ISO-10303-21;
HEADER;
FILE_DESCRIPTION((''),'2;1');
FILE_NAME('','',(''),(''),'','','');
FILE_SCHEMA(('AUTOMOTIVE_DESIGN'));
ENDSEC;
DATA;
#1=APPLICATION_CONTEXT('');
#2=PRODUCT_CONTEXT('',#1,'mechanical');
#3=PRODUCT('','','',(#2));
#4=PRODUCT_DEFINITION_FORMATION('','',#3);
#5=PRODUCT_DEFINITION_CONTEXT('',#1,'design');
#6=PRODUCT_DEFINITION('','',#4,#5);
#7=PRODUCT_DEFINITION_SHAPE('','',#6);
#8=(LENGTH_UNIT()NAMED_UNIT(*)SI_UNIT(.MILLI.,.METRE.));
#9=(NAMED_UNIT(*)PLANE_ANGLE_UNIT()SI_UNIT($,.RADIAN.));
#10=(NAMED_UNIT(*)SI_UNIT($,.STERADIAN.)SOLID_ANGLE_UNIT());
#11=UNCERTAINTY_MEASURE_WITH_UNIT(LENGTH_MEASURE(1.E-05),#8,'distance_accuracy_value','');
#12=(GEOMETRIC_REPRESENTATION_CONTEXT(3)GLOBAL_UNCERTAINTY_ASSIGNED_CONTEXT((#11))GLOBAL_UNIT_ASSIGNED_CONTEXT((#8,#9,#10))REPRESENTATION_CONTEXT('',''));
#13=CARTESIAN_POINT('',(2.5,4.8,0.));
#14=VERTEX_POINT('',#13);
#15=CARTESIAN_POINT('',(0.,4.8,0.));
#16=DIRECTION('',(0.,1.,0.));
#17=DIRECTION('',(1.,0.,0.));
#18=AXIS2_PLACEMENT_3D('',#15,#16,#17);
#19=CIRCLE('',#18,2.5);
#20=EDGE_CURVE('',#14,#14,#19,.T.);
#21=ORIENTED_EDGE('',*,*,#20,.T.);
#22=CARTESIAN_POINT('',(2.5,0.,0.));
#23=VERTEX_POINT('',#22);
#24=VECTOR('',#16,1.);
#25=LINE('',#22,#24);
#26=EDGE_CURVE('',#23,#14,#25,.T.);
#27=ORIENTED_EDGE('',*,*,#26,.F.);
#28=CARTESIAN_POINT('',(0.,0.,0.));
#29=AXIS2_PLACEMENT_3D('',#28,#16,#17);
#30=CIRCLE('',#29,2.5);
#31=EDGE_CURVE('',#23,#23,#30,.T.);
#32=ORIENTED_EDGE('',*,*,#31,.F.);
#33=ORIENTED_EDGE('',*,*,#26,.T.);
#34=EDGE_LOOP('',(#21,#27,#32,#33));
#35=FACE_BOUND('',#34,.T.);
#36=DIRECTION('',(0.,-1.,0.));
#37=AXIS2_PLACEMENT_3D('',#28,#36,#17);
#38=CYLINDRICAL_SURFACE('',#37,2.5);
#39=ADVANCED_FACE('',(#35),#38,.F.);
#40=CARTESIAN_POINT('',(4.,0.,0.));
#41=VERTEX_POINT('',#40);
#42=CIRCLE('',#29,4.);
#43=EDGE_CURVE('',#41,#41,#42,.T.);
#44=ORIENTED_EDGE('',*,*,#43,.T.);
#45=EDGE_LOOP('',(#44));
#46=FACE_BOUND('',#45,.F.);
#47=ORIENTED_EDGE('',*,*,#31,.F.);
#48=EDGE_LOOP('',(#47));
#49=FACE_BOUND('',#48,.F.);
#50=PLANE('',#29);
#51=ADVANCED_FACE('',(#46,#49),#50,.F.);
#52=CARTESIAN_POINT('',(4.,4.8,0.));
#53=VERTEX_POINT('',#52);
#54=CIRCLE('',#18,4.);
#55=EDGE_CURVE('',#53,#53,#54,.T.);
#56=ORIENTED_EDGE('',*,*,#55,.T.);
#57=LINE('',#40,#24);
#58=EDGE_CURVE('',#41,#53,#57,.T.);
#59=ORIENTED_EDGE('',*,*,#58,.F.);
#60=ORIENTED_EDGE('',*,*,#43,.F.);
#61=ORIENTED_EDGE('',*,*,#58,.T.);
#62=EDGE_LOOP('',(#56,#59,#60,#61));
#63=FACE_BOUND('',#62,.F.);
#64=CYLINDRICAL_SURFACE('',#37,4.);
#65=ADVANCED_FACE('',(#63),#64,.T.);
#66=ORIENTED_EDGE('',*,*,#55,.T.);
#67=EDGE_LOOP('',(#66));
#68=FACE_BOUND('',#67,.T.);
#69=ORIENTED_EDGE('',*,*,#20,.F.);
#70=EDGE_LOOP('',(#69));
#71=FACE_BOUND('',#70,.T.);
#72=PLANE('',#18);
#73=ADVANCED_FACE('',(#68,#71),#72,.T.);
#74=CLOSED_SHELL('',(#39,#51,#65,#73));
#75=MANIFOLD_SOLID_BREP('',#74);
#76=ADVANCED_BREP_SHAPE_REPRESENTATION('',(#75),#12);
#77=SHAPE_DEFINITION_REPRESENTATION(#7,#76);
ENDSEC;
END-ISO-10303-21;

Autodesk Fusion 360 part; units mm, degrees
sketch "Sketch1" plane through (0, 0, 0) normal (0, 1, 0) x (1, 0, 0)
  circle A0 centre (0, 0) radius 4
  circle A1 centre (0, 0) radius 2.5
  dimension "d1" = 8
  dimension "d2" = 5
extrude "Extrude1" add sketch "Sketch1" along normal blind 4.8
